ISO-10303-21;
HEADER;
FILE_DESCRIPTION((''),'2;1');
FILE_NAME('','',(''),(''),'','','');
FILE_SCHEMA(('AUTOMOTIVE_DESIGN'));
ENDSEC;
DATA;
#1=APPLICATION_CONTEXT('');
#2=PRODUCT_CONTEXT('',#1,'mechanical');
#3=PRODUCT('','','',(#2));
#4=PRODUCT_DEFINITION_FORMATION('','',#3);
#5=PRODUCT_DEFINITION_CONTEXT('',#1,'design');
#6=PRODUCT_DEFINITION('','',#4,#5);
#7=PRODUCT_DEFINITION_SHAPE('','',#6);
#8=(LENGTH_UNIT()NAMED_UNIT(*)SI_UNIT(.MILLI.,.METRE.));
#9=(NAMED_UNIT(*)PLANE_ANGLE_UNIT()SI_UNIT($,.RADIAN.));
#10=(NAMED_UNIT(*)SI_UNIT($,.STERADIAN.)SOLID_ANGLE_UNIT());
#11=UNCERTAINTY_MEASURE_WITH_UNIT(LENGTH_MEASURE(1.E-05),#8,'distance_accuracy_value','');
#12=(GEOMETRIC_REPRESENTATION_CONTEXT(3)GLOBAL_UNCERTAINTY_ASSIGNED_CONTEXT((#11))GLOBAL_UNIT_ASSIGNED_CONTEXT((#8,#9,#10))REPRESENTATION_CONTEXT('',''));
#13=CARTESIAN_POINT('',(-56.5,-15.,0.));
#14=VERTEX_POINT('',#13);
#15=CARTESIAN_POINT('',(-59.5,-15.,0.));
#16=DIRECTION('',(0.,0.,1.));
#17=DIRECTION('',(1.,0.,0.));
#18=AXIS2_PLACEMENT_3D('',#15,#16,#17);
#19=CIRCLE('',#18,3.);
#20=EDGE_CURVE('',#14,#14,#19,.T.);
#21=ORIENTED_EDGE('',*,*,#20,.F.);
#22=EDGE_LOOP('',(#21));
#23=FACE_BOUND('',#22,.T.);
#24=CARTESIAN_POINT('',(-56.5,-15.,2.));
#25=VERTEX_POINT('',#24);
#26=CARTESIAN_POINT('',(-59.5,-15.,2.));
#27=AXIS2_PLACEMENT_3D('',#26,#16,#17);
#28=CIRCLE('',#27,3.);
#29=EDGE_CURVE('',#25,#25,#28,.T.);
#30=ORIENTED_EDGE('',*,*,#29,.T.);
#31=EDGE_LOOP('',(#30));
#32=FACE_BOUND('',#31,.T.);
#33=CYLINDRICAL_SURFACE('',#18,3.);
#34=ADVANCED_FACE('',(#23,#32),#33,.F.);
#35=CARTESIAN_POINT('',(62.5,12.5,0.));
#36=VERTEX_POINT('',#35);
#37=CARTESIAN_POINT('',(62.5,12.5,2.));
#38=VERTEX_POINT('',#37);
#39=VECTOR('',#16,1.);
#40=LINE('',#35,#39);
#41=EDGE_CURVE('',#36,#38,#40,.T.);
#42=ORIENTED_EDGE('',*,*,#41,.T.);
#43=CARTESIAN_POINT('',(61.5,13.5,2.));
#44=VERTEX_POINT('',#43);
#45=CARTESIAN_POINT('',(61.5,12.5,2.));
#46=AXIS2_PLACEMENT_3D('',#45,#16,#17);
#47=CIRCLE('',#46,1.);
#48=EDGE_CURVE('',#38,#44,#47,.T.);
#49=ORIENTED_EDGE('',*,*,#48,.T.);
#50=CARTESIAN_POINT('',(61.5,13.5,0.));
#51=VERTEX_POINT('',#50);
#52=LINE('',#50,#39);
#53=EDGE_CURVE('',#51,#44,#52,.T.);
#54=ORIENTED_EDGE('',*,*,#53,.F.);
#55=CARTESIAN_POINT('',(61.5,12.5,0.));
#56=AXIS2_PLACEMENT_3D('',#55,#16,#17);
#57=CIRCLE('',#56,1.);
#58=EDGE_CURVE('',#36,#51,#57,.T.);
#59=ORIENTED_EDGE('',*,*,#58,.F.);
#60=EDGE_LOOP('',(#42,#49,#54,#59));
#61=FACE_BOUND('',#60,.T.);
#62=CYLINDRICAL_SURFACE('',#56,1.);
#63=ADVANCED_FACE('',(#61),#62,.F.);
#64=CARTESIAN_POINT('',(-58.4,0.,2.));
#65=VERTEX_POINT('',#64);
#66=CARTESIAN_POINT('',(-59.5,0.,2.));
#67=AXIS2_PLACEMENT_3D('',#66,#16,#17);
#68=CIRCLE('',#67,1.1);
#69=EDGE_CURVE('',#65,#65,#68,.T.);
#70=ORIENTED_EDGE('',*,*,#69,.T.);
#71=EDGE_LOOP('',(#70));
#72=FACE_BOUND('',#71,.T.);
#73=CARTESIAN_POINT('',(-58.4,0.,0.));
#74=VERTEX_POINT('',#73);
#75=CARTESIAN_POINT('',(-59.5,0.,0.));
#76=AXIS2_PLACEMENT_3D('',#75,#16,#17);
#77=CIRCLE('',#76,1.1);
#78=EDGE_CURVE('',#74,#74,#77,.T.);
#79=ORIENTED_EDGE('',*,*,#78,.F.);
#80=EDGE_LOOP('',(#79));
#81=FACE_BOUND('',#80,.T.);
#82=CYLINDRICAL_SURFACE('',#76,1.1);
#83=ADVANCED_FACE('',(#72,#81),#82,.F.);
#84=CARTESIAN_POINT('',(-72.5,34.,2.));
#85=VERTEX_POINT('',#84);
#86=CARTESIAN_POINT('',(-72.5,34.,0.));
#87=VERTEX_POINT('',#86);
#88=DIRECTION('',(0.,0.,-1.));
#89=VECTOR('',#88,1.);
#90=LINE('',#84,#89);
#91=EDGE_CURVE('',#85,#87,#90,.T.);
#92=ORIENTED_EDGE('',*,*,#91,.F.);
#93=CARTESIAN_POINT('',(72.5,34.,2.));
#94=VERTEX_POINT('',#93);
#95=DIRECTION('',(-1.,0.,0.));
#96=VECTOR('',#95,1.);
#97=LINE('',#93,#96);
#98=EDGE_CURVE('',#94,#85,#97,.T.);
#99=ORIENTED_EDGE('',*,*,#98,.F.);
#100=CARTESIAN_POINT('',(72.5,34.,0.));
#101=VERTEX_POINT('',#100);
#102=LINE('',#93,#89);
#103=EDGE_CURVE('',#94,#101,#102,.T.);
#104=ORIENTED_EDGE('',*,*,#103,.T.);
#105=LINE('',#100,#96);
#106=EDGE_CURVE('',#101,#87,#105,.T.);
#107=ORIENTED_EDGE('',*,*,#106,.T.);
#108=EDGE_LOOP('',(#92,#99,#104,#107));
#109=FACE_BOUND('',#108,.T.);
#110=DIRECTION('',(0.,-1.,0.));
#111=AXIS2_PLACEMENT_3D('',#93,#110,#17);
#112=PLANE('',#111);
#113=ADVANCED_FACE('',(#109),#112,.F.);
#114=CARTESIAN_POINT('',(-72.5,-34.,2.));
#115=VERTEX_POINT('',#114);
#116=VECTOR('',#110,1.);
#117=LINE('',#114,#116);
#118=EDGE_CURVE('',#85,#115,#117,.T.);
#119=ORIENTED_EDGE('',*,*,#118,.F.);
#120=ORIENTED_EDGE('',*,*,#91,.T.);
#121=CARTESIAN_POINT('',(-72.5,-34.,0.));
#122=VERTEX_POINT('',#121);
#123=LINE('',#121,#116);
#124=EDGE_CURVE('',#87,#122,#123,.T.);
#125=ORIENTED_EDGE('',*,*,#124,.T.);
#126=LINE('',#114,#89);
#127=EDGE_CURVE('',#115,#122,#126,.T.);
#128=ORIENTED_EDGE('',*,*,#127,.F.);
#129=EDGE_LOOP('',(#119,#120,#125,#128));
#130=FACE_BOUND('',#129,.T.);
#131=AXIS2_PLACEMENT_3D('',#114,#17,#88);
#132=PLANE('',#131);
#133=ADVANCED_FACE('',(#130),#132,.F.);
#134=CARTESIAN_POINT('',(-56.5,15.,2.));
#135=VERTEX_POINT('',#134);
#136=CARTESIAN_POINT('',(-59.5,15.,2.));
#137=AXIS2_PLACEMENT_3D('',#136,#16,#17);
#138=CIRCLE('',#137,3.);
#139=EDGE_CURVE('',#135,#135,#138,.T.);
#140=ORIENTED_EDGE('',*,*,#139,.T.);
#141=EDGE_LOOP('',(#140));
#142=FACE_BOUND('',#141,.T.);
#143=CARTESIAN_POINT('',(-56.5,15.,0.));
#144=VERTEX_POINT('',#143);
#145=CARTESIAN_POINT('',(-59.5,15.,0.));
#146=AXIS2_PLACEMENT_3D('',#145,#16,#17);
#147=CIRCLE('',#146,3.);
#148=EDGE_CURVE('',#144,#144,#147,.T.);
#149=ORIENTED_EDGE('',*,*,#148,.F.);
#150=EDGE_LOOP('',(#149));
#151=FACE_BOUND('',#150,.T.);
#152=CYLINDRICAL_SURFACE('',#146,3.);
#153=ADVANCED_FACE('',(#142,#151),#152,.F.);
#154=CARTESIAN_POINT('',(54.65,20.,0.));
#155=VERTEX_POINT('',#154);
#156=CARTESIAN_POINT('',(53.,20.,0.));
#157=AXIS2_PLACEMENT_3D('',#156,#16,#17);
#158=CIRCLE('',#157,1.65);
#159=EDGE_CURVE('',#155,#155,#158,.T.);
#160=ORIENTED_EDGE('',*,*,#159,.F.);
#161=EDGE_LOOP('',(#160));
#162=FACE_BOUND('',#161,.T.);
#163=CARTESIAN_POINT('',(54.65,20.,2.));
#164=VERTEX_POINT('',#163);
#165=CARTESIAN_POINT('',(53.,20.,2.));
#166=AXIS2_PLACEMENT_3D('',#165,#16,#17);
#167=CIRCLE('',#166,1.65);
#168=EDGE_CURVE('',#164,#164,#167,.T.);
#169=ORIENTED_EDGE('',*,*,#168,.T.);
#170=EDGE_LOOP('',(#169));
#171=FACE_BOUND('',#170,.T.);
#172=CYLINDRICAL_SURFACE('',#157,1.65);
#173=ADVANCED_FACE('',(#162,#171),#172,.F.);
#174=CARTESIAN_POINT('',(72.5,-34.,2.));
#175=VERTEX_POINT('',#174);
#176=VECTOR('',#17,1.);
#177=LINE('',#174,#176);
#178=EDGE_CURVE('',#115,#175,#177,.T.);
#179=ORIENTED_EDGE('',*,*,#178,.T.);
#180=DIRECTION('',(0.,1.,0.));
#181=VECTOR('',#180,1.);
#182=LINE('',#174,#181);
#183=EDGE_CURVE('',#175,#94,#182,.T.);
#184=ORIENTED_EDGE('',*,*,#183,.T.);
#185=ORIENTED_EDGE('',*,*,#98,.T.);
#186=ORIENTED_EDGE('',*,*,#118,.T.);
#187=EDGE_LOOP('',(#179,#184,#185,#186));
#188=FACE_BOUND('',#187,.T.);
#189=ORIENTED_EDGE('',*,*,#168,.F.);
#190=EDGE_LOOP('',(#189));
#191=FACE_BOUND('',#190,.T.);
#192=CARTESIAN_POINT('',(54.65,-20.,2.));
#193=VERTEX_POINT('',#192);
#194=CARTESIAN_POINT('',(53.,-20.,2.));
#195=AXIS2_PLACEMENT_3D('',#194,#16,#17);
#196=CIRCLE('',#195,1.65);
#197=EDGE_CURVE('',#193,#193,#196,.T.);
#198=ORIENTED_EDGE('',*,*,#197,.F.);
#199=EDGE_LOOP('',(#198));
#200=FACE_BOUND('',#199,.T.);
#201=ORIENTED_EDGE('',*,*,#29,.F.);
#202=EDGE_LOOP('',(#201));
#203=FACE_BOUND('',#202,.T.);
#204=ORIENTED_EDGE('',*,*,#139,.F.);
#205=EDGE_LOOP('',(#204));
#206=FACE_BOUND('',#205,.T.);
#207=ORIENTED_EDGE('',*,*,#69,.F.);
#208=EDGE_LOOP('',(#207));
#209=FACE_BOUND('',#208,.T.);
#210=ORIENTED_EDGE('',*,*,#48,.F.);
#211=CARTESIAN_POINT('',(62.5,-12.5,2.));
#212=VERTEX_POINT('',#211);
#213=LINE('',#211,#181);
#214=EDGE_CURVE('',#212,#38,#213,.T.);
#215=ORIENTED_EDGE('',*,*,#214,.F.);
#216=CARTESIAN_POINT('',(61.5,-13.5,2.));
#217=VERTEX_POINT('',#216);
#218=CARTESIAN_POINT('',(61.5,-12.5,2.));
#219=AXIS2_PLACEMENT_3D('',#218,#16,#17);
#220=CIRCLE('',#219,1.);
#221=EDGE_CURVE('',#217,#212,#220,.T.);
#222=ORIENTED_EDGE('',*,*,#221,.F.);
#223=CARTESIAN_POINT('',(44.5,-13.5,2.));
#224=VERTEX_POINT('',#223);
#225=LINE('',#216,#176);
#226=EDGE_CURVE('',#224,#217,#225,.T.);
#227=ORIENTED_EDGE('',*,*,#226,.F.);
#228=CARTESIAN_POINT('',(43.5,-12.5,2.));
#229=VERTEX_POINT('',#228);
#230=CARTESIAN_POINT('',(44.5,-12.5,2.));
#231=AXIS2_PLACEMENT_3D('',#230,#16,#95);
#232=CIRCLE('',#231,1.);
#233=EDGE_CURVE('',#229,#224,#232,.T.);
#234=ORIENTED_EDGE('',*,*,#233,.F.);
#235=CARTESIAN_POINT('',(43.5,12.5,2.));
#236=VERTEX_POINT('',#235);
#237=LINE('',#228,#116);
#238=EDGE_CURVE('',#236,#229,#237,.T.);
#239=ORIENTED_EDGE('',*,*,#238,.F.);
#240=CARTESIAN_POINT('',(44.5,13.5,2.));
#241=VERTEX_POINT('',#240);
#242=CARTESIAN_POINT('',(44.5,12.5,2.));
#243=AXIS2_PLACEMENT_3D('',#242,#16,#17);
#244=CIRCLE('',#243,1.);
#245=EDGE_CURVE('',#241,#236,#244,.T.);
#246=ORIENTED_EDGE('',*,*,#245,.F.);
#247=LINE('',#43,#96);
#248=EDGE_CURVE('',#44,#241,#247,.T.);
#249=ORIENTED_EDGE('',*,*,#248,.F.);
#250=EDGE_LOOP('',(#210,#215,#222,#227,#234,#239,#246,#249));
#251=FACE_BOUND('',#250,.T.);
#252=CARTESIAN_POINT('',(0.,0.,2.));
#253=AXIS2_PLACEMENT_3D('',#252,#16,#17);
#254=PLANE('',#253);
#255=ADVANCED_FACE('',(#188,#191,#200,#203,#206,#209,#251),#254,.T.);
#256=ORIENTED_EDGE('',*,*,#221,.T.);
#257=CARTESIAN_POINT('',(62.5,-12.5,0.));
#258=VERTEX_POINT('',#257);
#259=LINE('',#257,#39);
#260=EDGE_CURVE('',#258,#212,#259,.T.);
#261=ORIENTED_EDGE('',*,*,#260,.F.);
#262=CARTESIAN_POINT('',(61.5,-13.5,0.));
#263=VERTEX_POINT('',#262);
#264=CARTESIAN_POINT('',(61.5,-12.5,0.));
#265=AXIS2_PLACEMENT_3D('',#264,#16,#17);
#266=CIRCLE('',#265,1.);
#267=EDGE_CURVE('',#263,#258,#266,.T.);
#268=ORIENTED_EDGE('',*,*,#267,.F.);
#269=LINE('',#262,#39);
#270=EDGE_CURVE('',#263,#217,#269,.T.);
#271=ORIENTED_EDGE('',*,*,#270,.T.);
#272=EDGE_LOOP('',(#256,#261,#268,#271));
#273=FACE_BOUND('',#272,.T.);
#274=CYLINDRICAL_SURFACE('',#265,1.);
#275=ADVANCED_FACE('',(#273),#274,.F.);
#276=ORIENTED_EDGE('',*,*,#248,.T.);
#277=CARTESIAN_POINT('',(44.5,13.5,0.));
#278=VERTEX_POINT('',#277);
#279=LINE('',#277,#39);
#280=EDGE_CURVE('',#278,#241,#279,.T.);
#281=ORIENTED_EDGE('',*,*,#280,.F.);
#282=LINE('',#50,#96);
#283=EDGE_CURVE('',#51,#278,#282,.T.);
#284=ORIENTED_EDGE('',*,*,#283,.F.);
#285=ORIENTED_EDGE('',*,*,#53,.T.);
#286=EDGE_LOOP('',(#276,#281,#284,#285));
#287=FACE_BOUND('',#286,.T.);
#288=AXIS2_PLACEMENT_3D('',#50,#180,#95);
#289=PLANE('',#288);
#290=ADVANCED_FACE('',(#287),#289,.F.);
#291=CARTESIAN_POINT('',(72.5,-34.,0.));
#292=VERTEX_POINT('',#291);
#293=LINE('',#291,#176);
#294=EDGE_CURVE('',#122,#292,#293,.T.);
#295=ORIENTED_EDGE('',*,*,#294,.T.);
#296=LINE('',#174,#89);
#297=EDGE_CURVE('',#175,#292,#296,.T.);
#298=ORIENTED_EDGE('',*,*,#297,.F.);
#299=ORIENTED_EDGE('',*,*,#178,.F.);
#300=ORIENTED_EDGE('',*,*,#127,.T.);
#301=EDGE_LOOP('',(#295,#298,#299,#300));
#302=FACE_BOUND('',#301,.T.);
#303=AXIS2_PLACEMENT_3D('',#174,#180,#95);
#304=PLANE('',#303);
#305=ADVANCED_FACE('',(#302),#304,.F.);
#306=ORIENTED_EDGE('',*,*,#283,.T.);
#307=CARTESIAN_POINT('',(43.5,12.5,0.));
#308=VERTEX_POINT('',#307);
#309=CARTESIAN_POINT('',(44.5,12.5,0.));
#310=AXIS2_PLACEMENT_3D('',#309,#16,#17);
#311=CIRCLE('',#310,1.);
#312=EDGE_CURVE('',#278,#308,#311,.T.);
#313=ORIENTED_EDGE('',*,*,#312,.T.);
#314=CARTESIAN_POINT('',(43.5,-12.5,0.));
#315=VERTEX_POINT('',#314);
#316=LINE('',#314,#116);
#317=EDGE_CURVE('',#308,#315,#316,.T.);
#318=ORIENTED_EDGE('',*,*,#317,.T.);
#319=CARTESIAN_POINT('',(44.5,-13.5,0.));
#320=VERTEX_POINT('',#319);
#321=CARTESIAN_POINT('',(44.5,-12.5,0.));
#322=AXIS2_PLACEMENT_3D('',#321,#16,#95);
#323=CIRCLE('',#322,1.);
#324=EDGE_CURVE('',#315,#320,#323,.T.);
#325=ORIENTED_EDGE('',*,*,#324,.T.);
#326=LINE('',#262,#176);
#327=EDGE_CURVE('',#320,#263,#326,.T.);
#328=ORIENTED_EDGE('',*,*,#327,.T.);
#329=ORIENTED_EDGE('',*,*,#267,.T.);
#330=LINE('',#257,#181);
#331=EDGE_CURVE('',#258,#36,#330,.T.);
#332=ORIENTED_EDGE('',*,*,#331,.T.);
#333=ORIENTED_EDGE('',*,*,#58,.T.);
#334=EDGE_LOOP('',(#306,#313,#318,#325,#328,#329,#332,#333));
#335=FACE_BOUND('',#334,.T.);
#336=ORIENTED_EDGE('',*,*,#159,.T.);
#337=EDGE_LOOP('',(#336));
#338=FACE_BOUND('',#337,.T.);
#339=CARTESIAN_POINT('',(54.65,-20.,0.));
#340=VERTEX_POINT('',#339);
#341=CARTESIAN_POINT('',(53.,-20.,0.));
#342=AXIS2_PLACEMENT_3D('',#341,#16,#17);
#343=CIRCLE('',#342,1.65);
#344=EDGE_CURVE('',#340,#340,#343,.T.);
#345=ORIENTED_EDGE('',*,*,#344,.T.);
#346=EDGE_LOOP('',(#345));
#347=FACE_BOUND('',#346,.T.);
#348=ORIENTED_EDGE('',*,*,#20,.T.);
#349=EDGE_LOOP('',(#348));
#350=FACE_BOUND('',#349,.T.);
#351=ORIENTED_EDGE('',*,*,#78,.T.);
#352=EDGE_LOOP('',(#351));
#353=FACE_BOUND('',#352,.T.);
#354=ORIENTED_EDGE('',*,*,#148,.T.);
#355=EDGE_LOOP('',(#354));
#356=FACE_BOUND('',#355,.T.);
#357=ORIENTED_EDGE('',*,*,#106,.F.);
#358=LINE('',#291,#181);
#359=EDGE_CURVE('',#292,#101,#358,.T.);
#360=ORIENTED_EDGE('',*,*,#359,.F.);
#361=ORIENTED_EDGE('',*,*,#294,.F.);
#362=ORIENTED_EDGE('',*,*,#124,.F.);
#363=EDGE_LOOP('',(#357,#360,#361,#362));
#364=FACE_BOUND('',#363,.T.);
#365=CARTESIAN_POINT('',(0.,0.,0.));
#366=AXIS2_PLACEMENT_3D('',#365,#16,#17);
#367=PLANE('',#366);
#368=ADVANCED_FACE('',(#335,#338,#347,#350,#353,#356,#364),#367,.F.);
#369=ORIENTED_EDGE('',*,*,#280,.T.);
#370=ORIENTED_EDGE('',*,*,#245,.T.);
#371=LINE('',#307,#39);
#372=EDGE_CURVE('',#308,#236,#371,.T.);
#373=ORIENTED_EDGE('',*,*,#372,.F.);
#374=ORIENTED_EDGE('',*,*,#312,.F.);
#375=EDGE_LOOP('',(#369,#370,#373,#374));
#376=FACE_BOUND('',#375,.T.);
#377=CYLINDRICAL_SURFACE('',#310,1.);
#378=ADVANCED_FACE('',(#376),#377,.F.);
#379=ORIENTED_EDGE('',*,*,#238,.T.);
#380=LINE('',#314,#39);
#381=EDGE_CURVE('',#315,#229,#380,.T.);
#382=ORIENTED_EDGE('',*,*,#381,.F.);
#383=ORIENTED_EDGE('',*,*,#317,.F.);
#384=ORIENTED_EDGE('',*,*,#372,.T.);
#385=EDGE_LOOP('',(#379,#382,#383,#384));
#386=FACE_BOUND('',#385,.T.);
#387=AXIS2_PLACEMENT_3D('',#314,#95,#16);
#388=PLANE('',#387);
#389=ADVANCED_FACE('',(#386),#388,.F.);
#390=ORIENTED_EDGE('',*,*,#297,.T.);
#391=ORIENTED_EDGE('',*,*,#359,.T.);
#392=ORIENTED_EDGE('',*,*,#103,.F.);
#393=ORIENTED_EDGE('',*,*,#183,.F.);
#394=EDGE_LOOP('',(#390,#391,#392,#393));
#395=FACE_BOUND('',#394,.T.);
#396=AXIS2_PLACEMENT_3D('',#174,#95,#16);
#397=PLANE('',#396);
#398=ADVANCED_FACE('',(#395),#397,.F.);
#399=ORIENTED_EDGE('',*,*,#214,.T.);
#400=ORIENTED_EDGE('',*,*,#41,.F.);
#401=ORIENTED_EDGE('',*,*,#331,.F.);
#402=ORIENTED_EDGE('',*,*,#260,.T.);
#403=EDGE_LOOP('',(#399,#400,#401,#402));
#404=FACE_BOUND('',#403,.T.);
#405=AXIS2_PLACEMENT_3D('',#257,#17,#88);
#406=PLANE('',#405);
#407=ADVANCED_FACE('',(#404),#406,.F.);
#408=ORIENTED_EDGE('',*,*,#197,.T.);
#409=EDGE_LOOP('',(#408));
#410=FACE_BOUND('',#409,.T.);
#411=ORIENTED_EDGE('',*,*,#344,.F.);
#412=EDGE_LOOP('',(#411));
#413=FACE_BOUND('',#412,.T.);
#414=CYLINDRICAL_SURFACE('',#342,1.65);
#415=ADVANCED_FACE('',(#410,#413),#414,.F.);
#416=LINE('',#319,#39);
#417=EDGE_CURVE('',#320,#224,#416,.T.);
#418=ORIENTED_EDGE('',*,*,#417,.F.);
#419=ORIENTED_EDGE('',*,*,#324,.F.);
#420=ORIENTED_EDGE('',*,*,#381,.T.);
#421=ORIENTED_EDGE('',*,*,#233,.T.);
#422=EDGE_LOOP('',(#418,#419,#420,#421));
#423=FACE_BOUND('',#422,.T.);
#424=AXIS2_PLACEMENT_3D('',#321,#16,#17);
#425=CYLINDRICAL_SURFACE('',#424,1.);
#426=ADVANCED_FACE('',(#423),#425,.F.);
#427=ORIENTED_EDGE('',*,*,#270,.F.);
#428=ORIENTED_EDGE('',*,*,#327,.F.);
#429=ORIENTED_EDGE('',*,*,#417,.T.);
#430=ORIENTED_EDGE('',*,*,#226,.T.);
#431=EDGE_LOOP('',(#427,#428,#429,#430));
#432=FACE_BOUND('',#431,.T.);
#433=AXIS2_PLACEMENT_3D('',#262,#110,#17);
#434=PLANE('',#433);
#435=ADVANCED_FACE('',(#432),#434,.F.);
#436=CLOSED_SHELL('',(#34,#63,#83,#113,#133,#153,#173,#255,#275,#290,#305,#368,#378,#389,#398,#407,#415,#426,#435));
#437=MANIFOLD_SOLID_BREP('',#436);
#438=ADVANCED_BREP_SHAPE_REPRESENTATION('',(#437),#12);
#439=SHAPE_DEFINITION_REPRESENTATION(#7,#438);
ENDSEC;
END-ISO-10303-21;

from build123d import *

# Parameters (mm, degrees)
SKETCH1_W           = 145
SKETCH1_H           = 68
BOSS_EXTRUDE1_DEPTH = 2
SKETCH2_R           = 1.65
SKETCH2_R_2         = 3
SKETCH2_R_3         = 1.1
CUT_EXTRUDE1_DEPTH  = 81.101498113


with BuildPart() as part:
    # Sketch1 → Boss-Extrude1 (new body)
    with BuildSketch(Plane.XY):
        Rectangle(SKETCH1_W, SKETCH1_H)
    extrude(amount=BOSS_EXTRUDE1_DEPTH)

    # Sketch2 → Cut-Extrude1 (cut, through all)
    with BuildSketch(Plane.XY.offset(2)):
        with Locations((53, 20)):
            Circle(SKETCH2_R)
        with Locations((53, -20)):
            Circle(SKETCH2_R)
        with Locations((-59.5, 15)):
            Circle(SKETCH2_R_2)
        with Locations((-59.5, -15)):
            Circle(SKETCH2_R_2)
        with Locations((-59.5, 0)):
            Circle(SKETCH2_R_3)
        with BuildLine():
            Line((61.5, -13.5), (44.5, -13.5))
            ThreePointArc((44.5, -13.5), (43.792893219, -13.207106781), (43.5, -12.5))
            Line((43.5, -12.5), (43.5, 12.5))
            ThreePointArc((43.5, 12.5), (43.792893219, 13.207106781), (44.5, 13.5))
            Line((44.5, 13.5), (61.5, 13.5))
            ThreePointArc((61.5, 13.5), (62.207106781, 13.207106781), (62.5, 12.5))
            Line((62.5, 12.5), (62.5, -12.5))
            ThreePointArc((62.5, -12.5), (62.207106781, -13.207106781), (61.5, -13.5))
        make_face()
    extrude(amount=-CUT_EXTRUDE1_DEPTH, mode=Mode.SUBTRACT)


solid = part.part
